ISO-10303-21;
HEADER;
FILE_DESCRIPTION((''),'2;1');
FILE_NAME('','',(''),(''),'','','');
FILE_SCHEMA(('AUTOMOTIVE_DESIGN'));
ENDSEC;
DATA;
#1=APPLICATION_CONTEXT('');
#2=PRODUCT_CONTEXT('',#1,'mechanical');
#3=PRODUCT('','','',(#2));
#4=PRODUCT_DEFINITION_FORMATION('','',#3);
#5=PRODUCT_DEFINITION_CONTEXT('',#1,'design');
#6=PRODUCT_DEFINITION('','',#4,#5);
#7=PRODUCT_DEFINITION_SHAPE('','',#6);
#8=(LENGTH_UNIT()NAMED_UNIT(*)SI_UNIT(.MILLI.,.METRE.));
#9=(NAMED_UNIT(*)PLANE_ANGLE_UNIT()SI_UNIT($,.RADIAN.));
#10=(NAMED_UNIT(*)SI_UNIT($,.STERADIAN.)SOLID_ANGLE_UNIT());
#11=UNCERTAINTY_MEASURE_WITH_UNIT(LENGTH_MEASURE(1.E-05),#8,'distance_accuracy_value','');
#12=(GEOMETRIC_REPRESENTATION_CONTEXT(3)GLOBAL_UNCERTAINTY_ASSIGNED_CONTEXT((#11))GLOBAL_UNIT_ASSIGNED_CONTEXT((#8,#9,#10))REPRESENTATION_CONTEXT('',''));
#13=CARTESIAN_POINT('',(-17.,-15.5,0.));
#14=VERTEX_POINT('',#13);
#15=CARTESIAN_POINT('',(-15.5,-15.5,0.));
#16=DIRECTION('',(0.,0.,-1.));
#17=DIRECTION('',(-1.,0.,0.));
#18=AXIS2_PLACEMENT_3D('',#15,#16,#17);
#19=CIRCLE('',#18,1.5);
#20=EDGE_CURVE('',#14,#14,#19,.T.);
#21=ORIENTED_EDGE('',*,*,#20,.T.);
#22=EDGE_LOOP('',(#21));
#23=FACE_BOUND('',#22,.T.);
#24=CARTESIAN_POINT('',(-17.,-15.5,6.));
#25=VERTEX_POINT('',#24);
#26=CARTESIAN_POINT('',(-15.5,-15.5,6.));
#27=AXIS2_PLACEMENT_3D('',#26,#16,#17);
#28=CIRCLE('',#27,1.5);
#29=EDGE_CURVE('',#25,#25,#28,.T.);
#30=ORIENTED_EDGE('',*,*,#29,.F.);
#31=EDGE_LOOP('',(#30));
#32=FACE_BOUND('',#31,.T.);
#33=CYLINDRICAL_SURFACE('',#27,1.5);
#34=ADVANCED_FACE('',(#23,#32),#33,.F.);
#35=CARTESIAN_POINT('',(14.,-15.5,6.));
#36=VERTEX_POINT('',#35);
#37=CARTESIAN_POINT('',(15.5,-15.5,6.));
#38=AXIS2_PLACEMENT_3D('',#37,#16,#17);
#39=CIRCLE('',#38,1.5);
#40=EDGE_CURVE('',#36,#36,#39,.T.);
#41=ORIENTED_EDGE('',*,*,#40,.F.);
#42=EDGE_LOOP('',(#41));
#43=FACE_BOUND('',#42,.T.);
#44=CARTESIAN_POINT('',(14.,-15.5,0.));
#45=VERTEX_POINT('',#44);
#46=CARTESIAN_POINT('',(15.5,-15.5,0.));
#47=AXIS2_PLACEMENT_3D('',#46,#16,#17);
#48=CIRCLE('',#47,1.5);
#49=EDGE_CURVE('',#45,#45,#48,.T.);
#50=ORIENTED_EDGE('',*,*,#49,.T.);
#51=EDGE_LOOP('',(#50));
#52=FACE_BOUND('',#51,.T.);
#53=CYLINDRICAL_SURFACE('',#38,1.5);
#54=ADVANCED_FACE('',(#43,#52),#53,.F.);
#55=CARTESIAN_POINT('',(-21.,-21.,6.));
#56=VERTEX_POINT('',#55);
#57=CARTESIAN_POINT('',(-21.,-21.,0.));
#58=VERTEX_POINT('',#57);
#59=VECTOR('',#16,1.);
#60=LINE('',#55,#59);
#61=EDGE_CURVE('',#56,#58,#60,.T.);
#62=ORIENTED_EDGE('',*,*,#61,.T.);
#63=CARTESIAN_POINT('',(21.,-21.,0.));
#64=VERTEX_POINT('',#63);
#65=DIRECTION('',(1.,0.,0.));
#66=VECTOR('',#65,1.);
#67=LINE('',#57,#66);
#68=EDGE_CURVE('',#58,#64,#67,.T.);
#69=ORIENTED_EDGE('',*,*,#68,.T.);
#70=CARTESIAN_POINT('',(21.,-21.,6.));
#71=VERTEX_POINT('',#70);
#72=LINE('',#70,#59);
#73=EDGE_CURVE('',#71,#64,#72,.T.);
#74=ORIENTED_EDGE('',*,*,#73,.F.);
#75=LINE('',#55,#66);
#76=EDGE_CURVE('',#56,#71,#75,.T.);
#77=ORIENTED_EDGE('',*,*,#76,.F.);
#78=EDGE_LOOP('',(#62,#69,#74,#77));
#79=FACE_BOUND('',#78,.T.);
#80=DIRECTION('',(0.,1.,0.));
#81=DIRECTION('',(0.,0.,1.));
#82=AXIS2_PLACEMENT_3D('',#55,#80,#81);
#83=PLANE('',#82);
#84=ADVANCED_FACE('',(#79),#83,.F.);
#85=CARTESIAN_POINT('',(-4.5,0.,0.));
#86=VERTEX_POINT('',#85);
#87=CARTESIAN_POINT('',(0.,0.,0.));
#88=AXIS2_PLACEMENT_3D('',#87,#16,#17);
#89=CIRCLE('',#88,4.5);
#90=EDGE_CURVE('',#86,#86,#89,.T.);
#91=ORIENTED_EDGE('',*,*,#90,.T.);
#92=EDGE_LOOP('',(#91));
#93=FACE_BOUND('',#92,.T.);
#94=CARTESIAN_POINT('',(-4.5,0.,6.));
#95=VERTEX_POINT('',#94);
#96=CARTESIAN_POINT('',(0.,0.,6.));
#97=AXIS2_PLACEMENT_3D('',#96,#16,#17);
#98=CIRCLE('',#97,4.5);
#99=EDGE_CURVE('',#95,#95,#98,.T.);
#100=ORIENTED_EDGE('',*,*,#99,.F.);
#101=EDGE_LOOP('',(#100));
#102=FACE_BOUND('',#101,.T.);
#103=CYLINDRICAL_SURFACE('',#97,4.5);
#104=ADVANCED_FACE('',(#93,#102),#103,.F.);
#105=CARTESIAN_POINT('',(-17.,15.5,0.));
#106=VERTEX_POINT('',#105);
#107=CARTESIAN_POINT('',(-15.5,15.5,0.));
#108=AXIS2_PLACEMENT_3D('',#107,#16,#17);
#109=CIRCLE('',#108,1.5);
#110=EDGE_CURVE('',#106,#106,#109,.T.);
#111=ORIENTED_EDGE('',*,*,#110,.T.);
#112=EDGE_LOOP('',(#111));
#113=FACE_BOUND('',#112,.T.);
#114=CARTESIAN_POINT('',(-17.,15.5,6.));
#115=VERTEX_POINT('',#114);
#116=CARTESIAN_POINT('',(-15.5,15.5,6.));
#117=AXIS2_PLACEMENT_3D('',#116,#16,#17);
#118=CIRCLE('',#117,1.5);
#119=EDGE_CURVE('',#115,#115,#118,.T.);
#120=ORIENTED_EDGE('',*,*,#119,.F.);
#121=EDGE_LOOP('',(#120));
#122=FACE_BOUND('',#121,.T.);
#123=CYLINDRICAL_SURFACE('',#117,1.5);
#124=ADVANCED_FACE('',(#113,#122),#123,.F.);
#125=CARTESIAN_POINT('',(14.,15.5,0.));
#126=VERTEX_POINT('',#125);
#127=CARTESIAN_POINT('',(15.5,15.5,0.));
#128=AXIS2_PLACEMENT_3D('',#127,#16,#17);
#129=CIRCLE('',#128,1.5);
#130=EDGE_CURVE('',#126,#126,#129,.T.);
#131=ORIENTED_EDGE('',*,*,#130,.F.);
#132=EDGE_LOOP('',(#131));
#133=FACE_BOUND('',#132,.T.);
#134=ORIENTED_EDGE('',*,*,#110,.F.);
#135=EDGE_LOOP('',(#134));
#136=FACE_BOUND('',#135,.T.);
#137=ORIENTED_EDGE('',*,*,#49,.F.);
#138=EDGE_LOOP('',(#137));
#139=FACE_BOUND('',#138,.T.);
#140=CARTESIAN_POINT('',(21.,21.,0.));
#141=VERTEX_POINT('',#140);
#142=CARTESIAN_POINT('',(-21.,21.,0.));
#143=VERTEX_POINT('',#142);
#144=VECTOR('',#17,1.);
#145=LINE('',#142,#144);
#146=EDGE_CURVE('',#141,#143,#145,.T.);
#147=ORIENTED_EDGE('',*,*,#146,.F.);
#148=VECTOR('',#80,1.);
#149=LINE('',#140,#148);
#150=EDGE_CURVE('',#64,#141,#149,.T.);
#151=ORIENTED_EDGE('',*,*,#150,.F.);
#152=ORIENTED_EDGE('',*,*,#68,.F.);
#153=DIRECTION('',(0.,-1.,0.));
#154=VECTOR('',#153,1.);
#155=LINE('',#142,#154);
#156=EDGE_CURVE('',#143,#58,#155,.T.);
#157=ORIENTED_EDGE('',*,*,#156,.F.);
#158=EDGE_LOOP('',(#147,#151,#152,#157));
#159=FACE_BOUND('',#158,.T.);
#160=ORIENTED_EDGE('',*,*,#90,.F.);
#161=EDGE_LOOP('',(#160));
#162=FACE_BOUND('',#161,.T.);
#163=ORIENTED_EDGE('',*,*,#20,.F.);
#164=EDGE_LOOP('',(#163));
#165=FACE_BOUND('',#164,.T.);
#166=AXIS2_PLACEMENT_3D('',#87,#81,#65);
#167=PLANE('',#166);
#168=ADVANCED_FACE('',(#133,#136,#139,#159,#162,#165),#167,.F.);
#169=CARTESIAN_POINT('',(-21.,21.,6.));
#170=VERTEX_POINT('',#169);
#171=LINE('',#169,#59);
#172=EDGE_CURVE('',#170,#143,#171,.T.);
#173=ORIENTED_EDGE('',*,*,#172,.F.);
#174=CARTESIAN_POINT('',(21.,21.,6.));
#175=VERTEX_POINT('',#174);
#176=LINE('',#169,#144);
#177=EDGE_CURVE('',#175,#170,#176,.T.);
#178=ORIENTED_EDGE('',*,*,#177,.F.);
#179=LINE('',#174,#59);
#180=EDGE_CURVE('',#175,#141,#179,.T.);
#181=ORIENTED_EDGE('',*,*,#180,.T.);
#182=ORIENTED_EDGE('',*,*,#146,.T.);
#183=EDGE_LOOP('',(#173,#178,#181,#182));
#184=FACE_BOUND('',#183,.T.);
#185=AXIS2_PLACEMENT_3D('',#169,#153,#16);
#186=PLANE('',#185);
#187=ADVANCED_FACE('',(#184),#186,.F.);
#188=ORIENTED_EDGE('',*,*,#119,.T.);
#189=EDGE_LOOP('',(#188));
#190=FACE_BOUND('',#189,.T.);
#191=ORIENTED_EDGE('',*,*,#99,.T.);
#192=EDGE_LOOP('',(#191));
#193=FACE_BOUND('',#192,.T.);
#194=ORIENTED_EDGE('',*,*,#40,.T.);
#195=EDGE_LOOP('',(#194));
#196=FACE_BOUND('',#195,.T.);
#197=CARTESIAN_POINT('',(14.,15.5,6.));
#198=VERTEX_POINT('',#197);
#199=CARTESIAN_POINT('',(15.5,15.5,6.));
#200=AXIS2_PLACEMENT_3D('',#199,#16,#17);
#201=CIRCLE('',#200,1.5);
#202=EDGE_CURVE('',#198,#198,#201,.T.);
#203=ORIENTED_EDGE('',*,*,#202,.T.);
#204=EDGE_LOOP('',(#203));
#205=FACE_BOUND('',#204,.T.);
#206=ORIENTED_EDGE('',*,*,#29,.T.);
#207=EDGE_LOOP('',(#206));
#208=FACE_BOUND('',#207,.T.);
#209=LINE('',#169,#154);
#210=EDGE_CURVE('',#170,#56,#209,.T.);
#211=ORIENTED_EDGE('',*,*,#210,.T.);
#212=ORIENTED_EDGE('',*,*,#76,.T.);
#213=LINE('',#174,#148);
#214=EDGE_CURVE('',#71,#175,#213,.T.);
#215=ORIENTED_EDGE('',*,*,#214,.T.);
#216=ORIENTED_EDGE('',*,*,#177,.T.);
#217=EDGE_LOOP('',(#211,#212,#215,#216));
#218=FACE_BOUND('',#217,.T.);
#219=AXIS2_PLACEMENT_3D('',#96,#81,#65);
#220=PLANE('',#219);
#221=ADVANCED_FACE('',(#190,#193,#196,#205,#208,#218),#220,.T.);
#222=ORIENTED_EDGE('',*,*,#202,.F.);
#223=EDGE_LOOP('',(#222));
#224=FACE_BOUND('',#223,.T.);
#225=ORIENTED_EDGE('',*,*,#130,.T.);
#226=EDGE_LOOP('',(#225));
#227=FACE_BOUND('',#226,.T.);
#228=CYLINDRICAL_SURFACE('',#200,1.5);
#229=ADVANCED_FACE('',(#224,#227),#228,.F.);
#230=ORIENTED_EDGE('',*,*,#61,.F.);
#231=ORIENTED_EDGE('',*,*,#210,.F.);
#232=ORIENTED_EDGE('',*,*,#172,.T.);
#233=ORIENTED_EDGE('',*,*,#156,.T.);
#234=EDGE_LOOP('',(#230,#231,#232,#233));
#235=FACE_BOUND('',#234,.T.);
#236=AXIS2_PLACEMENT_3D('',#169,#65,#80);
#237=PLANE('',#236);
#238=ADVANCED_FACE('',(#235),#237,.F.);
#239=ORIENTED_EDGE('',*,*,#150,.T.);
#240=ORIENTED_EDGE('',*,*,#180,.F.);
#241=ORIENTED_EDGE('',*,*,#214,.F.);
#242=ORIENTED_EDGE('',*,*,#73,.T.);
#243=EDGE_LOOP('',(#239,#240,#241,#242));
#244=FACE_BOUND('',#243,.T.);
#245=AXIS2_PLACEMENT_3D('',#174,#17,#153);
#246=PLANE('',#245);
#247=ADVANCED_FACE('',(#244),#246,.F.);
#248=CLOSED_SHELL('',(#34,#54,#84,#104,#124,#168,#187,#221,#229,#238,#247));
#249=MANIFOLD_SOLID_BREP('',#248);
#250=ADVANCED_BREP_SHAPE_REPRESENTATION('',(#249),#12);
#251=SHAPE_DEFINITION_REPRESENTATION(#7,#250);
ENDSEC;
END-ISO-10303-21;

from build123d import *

# Parameters (mm, degrees)
SKETCH_1_W          = 42
SKETCH_1_H          = 42
EXTRUDE_1_DEPTH     = 6
SKETCH_2_R          = 1.5
CUT_EXTRUDE_1_DEPTH = 31.298514815
SKETCH_3_R          = 4.5
CUT_EXTRUDE_2_DEPTH = 31.298514815


with BuildPart() as part:
    # 草图1 → 凸台-拉伸1 (new body)
    with BuildSketch(Plane.XY):
        Rectangle(SKETCH_1_W, SKETCH_1_H)
    extrude(amount=EXTRUDE_1_DEPTH)

    # 草图2 → 切除-拉伸1 (cut, through all)
    with BuildSketch(Plane(origin=(0, 0, 0), x_dir=(-1, 0, 0), z_dir=(0, 0, -1))):
        with Locations((-15.5, 15.5)):
            Circle(SKETCH_2_R)
        with Locations((15.5, 15.5)):
            Circle(SKETCH_2_R)
        with Locations((15.5, -15.5)):
            Circle(SKETCH_2_R)
        with Locations((-15.5, -15.5)):
            Circle(SKETCH_2_R)
    extrude(amount=-CUT_EXTRUDE_1_DEPTH, mode=Mode.SUBTRACT)

    # 草图3 → 切除-拉伸2 (cut, through all)
    with BuildSketch(Plane(origin=(0, 0, 0), x_dir=(-1, 0, 0), z_dir=(0, 0, -1))):
        Circle(SKETCH_3_R)
    extrude(amount=-CUT_EXTRUDE_2_DEPTH, mode=Mode.SUBTRACT)


solid = part.part
